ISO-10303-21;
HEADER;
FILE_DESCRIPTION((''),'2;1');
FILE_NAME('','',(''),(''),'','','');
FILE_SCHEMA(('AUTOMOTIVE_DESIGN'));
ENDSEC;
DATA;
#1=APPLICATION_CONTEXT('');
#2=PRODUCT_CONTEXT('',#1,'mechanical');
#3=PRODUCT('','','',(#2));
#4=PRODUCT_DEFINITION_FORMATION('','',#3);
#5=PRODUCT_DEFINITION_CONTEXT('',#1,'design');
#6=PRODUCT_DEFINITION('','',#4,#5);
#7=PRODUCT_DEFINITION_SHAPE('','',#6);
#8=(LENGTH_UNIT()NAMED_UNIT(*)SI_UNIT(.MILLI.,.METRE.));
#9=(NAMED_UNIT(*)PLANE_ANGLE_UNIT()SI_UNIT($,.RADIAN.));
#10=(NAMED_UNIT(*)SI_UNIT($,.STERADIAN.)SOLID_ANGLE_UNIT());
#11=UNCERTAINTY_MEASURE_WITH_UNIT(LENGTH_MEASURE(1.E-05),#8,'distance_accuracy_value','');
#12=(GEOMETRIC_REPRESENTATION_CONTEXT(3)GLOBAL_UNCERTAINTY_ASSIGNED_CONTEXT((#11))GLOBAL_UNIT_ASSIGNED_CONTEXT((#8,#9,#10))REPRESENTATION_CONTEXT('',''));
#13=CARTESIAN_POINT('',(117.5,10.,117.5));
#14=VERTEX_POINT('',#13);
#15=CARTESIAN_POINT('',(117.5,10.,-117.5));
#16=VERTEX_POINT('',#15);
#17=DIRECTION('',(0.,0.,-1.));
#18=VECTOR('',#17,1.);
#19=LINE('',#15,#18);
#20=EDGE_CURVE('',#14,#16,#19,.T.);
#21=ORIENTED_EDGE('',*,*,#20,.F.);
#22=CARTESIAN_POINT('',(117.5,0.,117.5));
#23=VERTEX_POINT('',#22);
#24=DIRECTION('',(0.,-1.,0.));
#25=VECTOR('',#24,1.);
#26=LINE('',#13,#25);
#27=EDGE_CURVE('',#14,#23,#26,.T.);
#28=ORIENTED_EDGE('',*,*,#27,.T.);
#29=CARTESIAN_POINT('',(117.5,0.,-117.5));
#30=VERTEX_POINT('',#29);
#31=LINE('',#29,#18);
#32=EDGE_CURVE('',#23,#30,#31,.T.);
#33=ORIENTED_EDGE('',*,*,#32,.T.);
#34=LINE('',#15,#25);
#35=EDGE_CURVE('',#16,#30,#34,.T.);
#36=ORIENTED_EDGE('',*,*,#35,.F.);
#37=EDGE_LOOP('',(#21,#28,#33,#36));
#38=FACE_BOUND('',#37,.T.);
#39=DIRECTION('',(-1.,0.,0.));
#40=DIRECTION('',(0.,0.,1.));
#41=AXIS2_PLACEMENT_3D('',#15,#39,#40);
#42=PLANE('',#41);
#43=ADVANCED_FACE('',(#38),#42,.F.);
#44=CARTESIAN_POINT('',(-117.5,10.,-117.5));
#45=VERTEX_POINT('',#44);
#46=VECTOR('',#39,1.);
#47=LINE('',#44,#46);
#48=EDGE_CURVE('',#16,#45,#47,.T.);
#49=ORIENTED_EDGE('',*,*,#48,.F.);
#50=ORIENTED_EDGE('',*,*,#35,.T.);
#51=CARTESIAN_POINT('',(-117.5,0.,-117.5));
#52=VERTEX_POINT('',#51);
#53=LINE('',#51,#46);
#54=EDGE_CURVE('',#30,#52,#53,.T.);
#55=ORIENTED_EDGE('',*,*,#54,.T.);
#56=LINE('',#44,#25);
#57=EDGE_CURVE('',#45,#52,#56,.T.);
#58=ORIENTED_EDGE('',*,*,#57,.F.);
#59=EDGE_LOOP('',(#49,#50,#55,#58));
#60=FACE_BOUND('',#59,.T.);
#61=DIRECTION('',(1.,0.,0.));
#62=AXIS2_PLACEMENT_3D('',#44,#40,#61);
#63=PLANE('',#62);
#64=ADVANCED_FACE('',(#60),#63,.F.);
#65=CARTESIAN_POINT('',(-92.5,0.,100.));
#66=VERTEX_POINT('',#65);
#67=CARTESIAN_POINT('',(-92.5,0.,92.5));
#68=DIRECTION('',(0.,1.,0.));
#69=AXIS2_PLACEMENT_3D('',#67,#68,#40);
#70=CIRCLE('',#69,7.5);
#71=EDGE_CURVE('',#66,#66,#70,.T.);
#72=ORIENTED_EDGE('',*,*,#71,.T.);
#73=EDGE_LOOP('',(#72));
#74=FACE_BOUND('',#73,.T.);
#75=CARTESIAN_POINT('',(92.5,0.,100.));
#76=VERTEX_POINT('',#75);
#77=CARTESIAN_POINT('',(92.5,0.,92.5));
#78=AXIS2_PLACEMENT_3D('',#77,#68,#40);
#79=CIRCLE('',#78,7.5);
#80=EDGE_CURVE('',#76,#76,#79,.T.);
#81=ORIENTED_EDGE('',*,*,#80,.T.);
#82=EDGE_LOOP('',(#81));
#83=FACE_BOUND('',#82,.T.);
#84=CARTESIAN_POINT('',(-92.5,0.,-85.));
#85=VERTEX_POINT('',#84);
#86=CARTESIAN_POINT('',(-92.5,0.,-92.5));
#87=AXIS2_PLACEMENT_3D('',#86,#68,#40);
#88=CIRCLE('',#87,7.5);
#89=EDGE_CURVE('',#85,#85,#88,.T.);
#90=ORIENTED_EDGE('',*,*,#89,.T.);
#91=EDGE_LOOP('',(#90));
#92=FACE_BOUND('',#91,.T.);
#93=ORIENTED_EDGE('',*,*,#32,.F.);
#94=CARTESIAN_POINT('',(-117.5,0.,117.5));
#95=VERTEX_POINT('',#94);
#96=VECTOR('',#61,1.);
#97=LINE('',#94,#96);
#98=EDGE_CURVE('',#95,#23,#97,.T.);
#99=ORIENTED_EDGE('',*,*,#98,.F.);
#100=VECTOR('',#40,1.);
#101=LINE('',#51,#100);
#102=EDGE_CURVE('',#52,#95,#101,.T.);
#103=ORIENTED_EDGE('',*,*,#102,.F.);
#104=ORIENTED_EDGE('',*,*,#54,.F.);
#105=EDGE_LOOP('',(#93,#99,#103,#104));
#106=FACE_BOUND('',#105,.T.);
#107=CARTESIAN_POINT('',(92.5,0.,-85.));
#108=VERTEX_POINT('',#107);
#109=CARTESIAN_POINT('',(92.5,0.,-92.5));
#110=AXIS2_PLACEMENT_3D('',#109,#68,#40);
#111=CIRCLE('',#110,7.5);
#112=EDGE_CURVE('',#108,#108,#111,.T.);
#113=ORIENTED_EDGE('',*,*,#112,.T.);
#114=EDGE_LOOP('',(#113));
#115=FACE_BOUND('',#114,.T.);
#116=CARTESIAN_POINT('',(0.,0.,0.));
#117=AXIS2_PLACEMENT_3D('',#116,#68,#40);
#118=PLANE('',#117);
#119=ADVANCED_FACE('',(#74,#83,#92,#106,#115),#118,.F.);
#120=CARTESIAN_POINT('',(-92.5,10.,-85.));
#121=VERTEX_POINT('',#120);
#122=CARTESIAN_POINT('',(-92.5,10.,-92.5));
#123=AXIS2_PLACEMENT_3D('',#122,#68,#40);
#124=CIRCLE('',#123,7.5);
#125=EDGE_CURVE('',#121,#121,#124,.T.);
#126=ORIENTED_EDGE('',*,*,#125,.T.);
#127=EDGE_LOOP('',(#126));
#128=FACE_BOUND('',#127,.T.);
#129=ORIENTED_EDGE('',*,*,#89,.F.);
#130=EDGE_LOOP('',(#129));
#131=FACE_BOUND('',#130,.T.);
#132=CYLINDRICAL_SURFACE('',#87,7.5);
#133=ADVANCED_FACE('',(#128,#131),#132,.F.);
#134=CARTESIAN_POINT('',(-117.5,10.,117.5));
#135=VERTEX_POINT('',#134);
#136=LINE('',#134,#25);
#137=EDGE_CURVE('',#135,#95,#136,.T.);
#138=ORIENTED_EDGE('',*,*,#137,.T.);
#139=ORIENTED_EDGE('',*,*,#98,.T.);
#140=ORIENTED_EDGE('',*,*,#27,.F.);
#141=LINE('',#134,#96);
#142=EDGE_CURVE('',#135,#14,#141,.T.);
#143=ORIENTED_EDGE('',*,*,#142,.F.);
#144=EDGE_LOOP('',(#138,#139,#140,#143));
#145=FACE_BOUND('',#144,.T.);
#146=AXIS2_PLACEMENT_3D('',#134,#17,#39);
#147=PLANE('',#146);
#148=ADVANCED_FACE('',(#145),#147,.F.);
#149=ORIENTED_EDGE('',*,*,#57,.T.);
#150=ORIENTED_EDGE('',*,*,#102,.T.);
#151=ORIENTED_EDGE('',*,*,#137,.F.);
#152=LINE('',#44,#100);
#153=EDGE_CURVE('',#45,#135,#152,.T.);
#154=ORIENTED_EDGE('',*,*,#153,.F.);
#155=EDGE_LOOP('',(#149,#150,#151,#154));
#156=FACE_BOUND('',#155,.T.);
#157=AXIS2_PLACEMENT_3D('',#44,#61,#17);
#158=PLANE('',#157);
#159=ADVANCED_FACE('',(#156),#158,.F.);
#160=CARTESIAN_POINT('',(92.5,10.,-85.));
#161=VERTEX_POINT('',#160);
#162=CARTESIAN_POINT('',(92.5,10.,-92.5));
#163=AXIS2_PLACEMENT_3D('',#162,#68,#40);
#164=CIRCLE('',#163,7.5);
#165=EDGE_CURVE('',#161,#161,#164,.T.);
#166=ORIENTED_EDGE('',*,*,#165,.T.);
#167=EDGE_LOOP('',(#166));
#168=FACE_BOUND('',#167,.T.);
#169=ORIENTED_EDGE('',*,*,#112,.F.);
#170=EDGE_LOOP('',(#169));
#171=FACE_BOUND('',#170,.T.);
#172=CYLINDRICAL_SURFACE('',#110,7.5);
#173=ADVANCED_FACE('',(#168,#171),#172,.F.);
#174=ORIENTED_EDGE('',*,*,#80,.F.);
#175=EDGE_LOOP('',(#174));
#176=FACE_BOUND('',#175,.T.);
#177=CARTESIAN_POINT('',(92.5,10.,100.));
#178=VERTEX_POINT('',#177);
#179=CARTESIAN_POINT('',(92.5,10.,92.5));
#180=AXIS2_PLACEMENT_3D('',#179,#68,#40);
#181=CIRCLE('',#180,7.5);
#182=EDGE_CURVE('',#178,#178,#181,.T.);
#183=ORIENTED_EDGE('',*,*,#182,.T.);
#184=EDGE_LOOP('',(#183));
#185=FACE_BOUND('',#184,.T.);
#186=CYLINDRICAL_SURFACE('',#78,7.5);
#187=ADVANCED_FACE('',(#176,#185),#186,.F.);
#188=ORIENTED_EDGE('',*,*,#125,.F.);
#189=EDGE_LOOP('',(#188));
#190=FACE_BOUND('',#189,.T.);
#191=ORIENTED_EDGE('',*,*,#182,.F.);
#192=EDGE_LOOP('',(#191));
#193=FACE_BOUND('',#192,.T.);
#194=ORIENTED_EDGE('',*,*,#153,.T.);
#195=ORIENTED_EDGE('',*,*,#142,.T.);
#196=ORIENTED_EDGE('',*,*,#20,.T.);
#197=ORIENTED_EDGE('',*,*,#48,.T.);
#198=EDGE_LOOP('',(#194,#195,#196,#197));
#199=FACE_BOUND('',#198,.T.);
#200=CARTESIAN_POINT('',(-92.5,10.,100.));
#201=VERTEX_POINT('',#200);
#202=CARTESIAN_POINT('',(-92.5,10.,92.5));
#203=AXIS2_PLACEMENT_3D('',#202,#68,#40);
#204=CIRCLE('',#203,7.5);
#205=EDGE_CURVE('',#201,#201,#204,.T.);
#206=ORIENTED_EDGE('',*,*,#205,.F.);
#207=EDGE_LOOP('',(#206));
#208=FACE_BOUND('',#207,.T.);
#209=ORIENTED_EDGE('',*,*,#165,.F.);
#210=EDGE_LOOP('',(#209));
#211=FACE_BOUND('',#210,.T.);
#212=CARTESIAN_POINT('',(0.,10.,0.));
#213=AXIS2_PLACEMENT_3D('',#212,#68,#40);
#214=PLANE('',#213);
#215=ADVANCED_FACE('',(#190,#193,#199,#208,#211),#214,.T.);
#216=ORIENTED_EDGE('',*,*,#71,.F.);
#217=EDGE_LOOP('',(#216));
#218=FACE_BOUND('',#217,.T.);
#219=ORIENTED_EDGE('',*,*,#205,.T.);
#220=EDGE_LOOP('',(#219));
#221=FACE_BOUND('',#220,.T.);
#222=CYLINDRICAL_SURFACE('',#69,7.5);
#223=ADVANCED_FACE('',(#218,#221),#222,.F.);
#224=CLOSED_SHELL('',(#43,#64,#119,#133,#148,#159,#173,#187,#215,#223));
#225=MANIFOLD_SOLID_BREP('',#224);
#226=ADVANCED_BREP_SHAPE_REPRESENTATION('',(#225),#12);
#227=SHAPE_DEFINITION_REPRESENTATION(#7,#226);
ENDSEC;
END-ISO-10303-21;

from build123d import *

# Parameters (mm, degrees)
IZIM1_W                     = 235
IZIM1_H                     = 235
Y_KSEKLIK_EKSTR_ZYON1_DEPTH = 10
IZIM2_R                     = 7.5
KES_EKSTR_ZYON1_DEPTH       = 167.470718146


with BuildPart() as part:
    # Çizim1 → Yükseklik-Ekstrüzyon1 (new body)
    with BuildSketch(Plane(origin=(0, 0, 0), x_dir=(1, 0, 0), z_dir=(0, 1, 0))):
        Rectangle(IZIM1_W, IZIM1_H)
    extrude(amount=Y_KSEKLIK_EKSTR_ZYON1_DEPTH)

    # Çizim2 → Kes-Ekstrüzyon1 (cut, through all)
    with BuildSketch(Plane(origin=(0, 10, 0), x_dir=(1, 0, 0), z_dir=(0, 1, 0))):
        with Locations(Location((-92.5, 92.5, 0), (0, 0, 270))):
            Circle(IZIM2_R)
        with Locations(Location((-92.5, -92.5, 0), (0, 0, 270))):
            Circle(IZIM2_R)
        with Locations(Location((92.5, -92.5, 0), (0, 0, 270))):
            Circle(IZIM2_R)
        with Locations(Location((92.5, 92.5, 0), (0, 0, 270))):
            Circle(IZIM2_R)
    extrude(amount=-KES_EKSTR_ZYON1_DEPTH, mode=Mode.SUBTRACT)


solid = part.part
